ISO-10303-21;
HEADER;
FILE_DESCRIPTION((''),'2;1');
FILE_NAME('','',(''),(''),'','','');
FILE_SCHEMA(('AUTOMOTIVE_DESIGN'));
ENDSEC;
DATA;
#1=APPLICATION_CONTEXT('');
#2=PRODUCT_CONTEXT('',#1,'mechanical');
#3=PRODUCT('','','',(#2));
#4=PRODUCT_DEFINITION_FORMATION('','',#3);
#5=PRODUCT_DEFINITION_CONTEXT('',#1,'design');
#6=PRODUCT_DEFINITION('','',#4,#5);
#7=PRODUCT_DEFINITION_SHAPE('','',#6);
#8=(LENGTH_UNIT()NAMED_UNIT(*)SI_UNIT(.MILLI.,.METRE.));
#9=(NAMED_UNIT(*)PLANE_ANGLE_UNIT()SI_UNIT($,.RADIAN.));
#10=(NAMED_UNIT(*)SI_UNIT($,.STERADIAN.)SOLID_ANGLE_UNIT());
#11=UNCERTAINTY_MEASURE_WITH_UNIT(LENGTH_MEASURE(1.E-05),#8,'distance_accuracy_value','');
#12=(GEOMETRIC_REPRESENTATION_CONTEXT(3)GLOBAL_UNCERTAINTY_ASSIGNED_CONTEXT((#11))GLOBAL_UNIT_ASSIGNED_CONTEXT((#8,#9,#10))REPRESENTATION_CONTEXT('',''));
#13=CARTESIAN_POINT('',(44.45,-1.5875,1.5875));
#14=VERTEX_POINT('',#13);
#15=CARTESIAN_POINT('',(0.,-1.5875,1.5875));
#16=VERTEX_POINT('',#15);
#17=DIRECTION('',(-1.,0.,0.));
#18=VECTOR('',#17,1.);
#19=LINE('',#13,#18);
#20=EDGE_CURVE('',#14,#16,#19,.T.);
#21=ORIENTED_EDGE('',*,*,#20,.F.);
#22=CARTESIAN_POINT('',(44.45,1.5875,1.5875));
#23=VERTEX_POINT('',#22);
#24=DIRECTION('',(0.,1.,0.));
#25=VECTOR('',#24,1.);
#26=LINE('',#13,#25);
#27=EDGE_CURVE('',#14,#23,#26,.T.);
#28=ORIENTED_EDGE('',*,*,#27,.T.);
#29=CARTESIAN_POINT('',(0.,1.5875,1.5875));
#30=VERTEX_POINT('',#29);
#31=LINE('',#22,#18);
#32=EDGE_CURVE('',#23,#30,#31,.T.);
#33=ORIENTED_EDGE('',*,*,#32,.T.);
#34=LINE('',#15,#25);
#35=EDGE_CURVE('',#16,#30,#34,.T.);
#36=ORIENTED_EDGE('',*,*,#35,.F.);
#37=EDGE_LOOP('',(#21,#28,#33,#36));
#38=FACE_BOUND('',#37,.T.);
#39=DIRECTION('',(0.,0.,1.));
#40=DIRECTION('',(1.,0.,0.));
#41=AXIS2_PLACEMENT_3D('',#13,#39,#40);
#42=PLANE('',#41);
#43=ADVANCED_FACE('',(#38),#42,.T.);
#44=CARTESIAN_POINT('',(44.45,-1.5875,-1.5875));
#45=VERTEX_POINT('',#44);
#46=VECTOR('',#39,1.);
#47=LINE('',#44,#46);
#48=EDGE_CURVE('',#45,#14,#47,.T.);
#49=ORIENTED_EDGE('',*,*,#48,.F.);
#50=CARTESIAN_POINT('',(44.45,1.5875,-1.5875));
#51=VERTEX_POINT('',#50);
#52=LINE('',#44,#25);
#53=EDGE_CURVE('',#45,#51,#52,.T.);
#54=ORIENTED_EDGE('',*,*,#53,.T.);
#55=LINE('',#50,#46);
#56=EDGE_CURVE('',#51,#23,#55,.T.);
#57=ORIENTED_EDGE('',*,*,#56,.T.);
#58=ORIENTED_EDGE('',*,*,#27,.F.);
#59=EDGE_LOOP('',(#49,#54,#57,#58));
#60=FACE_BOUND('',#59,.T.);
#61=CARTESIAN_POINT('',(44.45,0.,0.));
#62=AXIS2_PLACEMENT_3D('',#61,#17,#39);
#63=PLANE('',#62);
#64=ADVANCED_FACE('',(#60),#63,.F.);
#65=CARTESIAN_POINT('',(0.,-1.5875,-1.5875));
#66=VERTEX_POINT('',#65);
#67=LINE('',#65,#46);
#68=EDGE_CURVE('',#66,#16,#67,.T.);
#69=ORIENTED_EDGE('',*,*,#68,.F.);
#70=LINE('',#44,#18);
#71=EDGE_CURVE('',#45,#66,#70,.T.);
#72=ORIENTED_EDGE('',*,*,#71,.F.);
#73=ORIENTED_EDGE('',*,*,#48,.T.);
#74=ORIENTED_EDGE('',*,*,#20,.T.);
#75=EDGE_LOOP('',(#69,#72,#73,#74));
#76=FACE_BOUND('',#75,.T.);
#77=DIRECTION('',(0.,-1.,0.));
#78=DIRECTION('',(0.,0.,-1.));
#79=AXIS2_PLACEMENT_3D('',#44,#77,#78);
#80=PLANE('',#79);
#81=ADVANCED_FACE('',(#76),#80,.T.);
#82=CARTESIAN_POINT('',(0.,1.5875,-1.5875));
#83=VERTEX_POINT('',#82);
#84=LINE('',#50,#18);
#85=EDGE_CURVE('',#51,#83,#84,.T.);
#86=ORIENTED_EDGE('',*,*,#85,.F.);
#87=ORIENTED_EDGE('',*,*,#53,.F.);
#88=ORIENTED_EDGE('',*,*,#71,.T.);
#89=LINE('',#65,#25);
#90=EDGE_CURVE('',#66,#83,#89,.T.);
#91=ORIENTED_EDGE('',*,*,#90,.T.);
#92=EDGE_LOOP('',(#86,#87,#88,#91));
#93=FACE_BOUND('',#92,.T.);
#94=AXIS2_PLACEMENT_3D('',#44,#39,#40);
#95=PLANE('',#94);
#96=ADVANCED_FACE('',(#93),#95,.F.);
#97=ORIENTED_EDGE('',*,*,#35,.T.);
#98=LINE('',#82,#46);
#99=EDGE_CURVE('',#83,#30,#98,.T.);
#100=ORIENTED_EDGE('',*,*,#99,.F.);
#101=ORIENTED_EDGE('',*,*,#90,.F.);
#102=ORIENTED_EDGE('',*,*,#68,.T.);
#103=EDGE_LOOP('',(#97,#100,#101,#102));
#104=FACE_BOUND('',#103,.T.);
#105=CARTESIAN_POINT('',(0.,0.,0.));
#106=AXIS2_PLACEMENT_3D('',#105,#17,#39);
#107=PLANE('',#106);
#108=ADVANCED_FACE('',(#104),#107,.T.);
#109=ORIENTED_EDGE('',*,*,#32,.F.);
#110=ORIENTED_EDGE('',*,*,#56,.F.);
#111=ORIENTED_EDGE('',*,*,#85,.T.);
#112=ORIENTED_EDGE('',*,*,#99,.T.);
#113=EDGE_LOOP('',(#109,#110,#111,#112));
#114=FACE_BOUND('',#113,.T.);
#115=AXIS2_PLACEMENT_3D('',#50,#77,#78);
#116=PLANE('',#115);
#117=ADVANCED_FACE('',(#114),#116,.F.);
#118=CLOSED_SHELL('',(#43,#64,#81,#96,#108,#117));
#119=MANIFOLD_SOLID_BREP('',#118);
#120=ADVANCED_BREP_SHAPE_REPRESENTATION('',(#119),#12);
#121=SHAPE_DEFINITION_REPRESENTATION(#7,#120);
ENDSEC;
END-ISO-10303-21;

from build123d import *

# Parameters (mm, degrees)
SKETCH1_W           = 3.175
SKETCH1_H           = 3.175
BOSS_EXTRUDE1_DEPTH = 44.45


with BuildPart() as part:
    # Sketch1 → Boss-Extrude1 (new body)
    with BuildSketch(Plane(origin=(0, 0, 0), x_dir=(0, 0, -1), z_dir=(1, 0, 0))):
        Rectangle(SKETCH1_W, SKETCH1_H)
    extrude(amount=BOSS_EXTRUDE1_DEPTH)


solid = part.part
